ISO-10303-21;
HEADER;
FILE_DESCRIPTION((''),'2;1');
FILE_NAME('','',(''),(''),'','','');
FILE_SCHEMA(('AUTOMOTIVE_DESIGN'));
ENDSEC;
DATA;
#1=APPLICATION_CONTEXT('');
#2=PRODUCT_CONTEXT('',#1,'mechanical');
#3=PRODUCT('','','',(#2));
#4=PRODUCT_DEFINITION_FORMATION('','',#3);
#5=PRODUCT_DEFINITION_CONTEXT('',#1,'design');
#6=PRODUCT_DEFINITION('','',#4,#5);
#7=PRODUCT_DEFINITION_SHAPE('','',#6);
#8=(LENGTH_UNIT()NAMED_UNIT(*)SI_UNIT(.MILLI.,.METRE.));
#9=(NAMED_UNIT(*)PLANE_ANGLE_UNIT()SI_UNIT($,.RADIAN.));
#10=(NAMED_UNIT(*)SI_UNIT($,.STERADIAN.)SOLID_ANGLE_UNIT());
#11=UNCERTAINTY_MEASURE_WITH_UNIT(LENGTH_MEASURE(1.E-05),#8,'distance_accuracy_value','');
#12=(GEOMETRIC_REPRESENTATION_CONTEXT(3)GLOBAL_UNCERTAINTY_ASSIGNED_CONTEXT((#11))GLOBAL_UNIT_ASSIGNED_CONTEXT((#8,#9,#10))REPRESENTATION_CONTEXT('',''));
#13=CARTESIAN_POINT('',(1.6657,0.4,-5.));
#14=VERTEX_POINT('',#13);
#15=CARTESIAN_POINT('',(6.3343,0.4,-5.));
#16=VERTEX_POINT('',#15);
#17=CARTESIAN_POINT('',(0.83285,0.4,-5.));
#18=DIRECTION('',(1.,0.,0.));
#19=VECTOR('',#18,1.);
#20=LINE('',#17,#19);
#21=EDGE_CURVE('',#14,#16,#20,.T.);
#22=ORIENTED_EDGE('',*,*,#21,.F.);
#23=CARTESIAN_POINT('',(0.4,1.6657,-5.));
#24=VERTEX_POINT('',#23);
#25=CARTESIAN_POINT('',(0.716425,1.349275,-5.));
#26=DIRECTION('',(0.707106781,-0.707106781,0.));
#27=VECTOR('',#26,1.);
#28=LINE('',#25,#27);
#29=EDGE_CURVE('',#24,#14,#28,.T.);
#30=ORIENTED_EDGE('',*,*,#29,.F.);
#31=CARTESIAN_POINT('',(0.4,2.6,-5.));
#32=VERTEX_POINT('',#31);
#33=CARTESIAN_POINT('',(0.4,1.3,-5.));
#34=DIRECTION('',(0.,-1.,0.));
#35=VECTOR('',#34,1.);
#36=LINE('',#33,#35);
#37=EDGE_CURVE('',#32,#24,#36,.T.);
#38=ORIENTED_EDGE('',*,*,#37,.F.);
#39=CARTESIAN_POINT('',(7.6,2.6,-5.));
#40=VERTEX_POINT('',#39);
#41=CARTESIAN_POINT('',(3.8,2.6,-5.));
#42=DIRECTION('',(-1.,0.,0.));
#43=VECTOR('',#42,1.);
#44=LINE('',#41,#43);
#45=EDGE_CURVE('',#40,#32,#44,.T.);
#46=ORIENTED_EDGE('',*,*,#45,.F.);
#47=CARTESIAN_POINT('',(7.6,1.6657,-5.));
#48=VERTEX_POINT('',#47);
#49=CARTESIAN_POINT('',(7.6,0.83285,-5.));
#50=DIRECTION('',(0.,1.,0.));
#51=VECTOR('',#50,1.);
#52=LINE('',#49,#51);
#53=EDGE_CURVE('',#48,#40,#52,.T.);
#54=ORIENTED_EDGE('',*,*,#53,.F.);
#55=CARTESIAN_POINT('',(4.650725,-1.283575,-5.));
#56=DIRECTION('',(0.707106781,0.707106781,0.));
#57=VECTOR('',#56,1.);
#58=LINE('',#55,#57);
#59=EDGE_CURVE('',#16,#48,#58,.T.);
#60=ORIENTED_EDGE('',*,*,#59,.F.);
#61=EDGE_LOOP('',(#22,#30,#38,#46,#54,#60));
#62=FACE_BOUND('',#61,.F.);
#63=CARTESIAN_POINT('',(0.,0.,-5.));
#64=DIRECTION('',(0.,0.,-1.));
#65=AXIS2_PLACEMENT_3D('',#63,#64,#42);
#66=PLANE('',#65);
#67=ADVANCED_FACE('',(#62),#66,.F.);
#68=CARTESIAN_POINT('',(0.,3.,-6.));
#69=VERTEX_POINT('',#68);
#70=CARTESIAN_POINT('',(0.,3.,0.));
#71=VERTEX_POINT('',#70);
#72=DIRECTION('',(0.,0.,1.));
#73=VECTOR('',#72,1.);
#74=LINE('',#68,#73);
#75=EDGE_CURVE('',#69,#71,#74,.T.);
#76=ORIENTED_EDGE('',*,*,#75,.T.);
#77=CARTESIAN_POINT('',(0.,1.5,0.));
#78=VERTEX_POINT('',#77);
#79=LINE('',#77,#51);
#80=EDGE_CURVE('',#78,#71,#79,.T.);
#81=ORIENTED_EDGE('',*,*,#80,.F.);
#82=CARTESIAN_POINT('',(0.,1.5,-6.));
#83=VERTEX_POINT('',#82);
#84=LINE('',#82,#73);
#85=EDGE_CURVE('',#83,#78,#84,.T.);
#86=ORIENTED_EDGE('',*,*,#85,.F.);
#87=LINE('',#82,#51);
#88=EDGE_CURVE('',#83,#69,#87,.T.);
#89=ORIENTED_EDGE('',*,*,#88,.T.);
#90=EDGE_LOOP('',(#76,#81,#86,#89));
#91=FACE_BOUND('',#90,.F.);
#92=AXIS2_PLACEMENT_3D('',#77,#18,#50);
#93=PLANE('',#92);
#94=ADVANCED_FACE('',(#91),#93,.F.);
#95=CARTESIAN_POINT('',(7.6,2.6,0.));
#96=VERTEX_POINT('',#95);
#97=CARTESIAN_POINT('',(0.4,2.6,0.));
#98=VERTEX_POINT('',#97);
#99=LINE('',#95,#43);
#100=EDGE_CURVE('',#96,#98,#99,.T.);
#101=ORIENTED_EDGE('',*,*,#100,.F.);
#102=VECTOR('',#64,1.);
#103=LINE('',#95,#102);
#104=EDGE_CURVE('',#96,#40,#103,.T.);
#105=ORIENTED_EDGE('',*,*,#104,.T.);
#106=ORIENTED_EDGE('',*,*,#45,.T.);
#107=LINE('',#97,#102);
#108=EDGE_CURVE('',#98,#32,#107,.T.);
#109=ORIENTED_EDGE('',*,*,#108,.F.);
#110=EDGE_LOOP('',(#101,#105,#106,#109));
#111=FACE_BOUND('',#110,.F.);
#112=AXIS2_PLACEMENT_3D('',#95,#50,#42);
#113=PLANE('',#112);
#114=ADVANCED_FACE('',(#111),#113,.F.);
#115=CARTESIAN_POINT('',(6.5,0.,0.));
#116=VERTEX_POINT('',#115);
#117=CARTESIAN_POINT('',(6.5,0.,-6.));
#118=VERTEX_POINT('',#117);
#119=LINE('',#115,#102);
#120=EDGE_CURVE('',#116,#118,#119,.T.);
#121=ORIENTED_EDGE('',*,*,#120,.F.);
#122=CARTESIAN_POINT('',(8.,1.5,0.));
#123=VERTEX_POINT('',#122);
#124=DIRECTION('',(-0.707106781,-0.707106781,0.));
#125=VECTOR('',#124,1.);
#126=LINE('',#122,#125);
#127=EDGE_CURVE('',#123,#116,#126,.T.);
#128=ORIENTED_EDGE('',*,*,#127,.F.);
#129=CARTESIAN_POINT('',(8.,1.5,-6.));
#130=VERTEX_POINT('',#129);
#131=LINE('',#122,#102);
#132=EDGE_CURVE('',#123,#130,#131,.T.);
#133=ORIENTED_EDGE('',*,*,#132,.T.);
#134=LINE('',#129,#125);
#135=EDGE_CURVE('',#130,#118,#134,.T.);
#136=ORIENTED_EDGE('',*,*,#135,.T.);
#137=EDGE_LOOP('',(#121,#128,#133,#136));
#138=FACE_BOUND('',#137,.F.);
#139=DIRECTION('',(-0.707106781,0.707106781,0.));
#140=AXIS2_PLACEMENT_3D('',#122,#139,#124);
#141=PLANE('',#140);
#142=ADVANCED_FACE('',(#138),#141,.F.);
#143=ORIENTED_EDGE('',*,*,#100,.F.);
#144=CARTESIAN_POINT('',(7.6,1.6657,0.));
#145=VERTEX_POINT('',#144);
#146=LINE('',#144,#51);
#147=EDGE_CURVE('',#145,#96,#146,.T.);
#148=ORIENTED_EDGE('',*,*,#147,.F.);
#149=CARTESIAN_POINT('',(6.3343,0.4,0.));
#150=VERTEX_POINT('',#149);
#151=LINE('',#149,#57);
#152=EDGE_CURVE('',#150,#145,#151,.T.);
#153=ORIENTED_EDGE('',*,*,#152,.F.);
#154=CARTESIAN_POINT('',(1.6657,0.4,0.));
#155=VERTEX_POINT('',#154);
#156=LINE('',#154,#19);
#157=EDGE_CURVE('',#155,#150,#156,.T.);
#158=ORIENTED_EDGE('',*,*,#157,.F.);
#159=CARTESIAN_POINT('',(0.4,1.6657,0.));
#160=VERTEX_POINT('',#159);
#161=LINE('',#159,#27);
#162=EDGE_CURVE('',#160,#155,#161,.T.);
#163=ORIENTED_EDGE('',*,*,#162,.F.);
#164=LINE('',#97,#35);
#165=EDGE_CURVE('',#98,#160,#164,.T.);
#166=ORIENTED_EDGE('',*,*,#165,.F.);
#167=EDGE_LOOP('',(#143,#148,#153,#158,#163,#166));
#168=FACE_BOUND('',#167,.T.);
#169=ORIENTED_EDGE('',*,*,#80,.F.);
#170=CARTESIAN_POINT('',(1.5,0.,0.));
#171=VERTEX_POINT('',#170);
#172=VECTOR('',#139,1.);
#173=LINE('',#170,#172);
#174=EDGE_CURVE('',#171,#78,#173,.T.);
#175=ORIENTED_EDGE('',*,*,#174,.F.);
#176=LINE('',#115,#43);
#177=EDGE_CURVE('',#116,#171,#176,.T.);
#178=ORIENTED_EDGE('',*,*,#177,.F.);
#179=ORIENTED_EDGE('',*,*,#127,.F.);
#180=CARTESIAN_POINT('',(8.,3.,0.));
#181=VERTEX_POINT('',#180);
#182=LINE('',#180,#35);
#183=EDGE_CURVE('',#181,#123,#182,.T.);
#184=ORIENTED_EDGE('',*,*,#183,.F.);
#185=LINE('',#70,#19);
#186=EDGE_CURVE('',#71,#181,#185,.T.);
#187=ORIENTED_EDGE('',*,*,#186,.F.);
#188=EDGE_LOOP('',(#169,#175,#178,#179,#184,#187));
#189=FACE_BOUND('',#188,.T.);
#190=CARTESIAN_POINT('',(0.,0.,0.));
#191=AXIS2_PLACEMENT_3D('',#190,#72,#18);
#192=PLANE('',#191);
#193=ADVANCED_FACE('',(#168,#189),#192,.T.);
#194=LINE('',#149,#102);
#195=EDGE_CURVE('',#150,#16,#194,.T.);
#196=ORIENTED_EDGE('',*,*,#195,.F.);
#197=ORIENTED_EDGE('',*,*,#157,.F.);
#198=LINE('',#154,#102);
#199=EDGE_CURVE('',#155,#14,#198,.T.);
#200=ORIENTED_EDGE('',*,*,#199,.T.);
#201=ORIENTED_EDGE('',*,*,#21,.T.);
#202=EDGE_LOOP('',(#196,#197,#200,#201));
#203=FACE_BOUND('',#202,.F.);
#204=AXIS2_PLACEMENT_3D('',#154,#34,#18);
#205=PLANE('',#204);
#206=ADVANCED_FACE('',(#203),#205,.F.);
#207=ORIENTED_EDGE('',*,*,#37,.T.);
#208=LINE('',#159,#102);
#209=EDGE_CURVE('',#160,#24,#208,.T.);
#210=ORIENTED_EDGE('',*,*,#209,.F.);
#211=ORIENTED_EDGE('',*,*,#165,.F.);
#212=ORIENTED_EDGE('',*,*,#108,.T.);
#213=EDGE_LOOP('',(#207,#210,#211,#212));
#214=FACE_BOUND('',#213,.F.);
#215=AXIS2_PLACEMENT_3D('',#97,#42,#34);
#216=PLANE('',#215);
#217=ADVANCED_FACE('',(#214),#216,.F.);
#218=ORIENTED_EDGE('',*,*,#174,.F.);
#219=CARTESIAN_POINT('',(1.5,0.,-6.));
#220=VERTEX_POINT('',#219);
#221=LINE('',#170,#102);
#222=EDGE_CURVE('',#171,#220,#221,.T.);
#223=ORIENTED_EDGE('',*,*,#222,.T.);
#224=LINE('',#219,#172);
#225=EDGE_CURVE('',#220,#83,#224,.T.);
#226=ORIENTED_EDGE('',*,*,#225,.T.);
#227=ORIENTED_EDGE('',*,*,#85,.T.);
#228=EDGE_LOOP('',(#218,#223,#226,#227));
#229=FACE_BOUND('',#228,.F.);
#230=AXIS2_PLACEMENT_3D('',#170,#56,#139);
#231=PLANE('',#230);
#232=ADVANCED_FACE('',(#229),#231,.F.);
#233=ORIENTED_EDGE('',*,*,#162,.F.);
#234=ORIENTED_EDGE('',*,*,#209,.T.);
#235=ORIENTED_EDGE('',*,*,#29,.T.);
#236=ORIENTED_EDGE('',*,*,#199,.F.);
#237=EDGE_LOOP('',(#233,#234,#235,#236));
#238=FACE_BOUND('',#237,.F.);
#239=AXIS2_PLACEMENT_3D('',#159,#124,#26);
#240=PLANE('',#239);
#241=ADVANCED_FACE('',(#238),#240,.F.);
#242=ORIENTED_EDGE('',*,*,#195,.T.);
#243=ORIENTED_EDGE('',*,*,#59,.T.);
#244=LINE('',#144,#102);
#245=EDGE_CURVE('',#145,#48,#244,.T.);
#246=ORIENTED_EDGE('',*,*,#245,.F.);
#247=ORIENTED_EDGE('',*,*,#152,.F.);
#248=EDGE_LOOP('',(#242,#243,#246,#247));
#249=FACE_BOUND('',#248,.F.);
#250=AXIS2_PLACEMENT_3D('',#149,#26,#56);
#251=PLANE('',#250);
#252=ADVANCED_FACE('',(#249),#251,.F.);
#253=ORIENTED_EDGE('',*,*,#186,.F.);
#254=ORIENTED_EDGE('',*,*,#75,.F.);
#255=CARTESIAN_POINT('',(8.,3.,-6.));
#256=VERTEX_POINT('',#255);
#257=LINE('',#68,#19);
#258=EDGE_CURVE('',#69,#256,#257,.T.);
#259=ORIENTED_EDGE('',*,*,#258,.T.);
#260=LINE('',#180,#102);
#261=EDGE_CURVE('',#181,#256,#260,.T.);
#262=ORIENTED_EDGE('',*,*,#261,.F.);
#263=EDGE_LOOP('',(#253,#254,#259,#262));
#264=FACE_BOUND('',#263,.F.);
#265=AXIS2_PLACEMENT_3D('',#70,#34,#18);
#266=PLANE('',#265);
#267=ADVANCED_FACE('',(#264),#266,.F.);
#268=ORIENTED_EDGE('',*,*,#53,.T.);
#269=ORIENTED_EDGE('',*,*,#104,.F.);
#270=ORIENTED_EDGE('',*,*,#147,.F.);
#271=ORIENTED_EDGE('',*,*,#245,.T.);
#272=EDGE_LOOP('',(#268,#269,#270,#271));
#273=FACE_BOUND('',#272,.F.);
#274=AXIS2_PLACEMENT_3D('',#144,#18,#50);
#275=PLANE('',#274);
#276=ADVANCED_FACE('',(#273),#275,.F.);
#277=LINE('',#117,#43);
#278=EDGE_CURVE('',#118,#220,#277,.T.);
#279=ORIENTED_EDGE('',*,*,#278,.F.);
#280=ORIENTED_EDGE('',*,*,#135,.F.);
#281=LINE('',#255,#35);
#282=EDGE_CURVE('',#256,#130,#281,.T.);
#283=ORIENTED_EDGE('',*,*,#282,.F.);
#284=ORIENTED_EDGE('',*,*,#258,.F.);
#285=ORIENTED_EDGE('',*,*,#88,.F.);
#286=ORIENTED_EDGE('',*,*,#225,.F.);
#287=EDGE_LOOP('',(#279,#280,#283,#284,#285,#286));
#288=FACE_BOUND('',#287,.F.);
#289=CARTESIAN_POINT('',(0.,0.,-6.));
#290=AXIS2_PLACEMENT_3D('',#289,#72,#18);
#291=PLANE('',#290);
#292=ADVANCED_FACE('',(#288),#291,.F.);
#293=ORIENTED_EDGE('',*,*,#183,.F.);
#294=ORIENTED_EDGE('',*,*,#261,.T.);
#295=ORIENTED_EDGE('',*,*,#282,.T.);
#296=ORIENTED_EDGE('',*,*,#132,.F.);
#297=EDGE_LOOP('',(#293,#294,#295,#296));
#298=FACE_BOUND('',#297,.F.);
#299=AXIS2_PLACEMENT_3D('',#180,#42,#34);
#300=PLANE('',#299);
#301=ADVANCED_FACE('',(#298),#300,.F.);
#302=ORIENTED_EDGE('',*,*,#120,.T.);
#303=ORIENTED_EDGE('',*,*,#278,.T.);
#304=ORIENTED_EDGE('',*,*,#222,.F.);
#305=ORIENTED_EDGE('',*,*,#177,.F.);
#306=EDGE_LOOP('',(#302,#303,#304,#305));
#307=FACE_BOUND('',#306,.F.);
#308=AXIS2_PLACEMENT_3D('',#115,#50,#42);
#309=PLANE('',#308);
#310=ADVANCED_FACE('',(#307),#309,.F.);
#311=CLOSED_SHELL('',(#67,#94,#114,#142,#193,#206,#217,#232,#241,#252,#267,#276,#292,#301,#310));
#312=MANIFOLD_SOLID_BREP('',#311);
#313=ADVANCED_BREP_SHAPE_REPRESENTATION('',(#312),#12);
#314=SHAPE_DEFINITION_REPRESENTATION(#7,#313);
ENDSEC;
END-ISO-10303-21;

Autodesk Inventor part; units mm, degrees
ref_plane "YZ Plane" through (0, 0, 0) normal (1, 0, 0) x (0, 1, 0)
ref_plane "XZ Plane" through (0, 0, 0) normal (0, 1, 0) x (-1, 0, 0)
ref_plane "XY Plane" through (0, 0, 0) normal (0, 0, 1) x (1, 0, 0)
sketch "Sketch1" plane through (0, 0, 0) normal (0, 0, 1) x (1, 0, 0)
  line L0 (0, 0) -> (8, 0) construction
  line L1 (8, 0) -> (8, 3) construction
  line L2 (8, 3) -> (0, 3) construction
  line L3 (0, 3) -> (0, 0) construction
  line L4 (1.5, 0) -> (6.5, 0) construction
  line L5 (6.5, 0) -> (6.5, 3) construction
  line L6 (6.5, 3) -> (1.5, 3) construction
  line L7 (1.5, 3) -> (1.5, 0) construction
  line L8 (4, 3) -> (4, 0) construction
  line L9 (0, 3) -> (8, 3) construction
  line L10 (8, 3) -> (8, 1.5) construction
  line L11 (8, 1.5) -> (0, 1.5) construction
  line L12 (0, 1.5) -> (0, 3) construction
  line L13 (0, 3) -> (8, 3)
  line L14 (8, 3) -> (8, 1.5)
  line L15 (8, 1.5) -> (6.5, 0)
  line L16 (6.5, 0) -> (1.5, 0)
  line L17 (1.5, 0) -> (0, 1.5)
  line L18 (0, 1.5) -> (0, 3)
  line L19 (0.4, 1.6657) -> (1.6657, 0.4)
  line L20 (1.6657, 0.4) -> (6.3343, 0.4)
  line L21 (6.3343, 0.4) -> (7.6, 1.6657)
  line L22 (7.6, 1.6657) -> (7.6, 2.6)
  line L23 (7.6, 2.6) -> (0.4, 2.6)
  line L24 (0.4, 2.6) -> (0.4, 1.6657)
  dimension "d0" = 8
  dimension "d1" = 3
  dimension "d2" = 5
  dimension "d3" = 1.5
  dimension "d4" = 0.4
extrude "Extrusion1" add sketch "Sketch1" against normal blind 6
sketch "Esquisse2" plane through (0, 0, -6) normal (0, 0, -1) x (-1, 0, 0)
  line L0 (-6.5, 0) -> (-1.5, 0) projected
  line L1 (-8, 1.5) -> (-6.5, 0) projected
  line L2 (-8, 3) -> (-8, 1.5) projected
  line L3 (0, 3) -> (-8, 3) projected
  line L4 (0, 1.5) -> (0, 3) projected
  line L5 (-1.5, 0) -> (0, 1.5) projected
  point P0 (0, 0)
extrude "Extrusion2" add sketch "Esquisse2" against normal blind 1
properties part number "R005" material "Acier / Stahl"
